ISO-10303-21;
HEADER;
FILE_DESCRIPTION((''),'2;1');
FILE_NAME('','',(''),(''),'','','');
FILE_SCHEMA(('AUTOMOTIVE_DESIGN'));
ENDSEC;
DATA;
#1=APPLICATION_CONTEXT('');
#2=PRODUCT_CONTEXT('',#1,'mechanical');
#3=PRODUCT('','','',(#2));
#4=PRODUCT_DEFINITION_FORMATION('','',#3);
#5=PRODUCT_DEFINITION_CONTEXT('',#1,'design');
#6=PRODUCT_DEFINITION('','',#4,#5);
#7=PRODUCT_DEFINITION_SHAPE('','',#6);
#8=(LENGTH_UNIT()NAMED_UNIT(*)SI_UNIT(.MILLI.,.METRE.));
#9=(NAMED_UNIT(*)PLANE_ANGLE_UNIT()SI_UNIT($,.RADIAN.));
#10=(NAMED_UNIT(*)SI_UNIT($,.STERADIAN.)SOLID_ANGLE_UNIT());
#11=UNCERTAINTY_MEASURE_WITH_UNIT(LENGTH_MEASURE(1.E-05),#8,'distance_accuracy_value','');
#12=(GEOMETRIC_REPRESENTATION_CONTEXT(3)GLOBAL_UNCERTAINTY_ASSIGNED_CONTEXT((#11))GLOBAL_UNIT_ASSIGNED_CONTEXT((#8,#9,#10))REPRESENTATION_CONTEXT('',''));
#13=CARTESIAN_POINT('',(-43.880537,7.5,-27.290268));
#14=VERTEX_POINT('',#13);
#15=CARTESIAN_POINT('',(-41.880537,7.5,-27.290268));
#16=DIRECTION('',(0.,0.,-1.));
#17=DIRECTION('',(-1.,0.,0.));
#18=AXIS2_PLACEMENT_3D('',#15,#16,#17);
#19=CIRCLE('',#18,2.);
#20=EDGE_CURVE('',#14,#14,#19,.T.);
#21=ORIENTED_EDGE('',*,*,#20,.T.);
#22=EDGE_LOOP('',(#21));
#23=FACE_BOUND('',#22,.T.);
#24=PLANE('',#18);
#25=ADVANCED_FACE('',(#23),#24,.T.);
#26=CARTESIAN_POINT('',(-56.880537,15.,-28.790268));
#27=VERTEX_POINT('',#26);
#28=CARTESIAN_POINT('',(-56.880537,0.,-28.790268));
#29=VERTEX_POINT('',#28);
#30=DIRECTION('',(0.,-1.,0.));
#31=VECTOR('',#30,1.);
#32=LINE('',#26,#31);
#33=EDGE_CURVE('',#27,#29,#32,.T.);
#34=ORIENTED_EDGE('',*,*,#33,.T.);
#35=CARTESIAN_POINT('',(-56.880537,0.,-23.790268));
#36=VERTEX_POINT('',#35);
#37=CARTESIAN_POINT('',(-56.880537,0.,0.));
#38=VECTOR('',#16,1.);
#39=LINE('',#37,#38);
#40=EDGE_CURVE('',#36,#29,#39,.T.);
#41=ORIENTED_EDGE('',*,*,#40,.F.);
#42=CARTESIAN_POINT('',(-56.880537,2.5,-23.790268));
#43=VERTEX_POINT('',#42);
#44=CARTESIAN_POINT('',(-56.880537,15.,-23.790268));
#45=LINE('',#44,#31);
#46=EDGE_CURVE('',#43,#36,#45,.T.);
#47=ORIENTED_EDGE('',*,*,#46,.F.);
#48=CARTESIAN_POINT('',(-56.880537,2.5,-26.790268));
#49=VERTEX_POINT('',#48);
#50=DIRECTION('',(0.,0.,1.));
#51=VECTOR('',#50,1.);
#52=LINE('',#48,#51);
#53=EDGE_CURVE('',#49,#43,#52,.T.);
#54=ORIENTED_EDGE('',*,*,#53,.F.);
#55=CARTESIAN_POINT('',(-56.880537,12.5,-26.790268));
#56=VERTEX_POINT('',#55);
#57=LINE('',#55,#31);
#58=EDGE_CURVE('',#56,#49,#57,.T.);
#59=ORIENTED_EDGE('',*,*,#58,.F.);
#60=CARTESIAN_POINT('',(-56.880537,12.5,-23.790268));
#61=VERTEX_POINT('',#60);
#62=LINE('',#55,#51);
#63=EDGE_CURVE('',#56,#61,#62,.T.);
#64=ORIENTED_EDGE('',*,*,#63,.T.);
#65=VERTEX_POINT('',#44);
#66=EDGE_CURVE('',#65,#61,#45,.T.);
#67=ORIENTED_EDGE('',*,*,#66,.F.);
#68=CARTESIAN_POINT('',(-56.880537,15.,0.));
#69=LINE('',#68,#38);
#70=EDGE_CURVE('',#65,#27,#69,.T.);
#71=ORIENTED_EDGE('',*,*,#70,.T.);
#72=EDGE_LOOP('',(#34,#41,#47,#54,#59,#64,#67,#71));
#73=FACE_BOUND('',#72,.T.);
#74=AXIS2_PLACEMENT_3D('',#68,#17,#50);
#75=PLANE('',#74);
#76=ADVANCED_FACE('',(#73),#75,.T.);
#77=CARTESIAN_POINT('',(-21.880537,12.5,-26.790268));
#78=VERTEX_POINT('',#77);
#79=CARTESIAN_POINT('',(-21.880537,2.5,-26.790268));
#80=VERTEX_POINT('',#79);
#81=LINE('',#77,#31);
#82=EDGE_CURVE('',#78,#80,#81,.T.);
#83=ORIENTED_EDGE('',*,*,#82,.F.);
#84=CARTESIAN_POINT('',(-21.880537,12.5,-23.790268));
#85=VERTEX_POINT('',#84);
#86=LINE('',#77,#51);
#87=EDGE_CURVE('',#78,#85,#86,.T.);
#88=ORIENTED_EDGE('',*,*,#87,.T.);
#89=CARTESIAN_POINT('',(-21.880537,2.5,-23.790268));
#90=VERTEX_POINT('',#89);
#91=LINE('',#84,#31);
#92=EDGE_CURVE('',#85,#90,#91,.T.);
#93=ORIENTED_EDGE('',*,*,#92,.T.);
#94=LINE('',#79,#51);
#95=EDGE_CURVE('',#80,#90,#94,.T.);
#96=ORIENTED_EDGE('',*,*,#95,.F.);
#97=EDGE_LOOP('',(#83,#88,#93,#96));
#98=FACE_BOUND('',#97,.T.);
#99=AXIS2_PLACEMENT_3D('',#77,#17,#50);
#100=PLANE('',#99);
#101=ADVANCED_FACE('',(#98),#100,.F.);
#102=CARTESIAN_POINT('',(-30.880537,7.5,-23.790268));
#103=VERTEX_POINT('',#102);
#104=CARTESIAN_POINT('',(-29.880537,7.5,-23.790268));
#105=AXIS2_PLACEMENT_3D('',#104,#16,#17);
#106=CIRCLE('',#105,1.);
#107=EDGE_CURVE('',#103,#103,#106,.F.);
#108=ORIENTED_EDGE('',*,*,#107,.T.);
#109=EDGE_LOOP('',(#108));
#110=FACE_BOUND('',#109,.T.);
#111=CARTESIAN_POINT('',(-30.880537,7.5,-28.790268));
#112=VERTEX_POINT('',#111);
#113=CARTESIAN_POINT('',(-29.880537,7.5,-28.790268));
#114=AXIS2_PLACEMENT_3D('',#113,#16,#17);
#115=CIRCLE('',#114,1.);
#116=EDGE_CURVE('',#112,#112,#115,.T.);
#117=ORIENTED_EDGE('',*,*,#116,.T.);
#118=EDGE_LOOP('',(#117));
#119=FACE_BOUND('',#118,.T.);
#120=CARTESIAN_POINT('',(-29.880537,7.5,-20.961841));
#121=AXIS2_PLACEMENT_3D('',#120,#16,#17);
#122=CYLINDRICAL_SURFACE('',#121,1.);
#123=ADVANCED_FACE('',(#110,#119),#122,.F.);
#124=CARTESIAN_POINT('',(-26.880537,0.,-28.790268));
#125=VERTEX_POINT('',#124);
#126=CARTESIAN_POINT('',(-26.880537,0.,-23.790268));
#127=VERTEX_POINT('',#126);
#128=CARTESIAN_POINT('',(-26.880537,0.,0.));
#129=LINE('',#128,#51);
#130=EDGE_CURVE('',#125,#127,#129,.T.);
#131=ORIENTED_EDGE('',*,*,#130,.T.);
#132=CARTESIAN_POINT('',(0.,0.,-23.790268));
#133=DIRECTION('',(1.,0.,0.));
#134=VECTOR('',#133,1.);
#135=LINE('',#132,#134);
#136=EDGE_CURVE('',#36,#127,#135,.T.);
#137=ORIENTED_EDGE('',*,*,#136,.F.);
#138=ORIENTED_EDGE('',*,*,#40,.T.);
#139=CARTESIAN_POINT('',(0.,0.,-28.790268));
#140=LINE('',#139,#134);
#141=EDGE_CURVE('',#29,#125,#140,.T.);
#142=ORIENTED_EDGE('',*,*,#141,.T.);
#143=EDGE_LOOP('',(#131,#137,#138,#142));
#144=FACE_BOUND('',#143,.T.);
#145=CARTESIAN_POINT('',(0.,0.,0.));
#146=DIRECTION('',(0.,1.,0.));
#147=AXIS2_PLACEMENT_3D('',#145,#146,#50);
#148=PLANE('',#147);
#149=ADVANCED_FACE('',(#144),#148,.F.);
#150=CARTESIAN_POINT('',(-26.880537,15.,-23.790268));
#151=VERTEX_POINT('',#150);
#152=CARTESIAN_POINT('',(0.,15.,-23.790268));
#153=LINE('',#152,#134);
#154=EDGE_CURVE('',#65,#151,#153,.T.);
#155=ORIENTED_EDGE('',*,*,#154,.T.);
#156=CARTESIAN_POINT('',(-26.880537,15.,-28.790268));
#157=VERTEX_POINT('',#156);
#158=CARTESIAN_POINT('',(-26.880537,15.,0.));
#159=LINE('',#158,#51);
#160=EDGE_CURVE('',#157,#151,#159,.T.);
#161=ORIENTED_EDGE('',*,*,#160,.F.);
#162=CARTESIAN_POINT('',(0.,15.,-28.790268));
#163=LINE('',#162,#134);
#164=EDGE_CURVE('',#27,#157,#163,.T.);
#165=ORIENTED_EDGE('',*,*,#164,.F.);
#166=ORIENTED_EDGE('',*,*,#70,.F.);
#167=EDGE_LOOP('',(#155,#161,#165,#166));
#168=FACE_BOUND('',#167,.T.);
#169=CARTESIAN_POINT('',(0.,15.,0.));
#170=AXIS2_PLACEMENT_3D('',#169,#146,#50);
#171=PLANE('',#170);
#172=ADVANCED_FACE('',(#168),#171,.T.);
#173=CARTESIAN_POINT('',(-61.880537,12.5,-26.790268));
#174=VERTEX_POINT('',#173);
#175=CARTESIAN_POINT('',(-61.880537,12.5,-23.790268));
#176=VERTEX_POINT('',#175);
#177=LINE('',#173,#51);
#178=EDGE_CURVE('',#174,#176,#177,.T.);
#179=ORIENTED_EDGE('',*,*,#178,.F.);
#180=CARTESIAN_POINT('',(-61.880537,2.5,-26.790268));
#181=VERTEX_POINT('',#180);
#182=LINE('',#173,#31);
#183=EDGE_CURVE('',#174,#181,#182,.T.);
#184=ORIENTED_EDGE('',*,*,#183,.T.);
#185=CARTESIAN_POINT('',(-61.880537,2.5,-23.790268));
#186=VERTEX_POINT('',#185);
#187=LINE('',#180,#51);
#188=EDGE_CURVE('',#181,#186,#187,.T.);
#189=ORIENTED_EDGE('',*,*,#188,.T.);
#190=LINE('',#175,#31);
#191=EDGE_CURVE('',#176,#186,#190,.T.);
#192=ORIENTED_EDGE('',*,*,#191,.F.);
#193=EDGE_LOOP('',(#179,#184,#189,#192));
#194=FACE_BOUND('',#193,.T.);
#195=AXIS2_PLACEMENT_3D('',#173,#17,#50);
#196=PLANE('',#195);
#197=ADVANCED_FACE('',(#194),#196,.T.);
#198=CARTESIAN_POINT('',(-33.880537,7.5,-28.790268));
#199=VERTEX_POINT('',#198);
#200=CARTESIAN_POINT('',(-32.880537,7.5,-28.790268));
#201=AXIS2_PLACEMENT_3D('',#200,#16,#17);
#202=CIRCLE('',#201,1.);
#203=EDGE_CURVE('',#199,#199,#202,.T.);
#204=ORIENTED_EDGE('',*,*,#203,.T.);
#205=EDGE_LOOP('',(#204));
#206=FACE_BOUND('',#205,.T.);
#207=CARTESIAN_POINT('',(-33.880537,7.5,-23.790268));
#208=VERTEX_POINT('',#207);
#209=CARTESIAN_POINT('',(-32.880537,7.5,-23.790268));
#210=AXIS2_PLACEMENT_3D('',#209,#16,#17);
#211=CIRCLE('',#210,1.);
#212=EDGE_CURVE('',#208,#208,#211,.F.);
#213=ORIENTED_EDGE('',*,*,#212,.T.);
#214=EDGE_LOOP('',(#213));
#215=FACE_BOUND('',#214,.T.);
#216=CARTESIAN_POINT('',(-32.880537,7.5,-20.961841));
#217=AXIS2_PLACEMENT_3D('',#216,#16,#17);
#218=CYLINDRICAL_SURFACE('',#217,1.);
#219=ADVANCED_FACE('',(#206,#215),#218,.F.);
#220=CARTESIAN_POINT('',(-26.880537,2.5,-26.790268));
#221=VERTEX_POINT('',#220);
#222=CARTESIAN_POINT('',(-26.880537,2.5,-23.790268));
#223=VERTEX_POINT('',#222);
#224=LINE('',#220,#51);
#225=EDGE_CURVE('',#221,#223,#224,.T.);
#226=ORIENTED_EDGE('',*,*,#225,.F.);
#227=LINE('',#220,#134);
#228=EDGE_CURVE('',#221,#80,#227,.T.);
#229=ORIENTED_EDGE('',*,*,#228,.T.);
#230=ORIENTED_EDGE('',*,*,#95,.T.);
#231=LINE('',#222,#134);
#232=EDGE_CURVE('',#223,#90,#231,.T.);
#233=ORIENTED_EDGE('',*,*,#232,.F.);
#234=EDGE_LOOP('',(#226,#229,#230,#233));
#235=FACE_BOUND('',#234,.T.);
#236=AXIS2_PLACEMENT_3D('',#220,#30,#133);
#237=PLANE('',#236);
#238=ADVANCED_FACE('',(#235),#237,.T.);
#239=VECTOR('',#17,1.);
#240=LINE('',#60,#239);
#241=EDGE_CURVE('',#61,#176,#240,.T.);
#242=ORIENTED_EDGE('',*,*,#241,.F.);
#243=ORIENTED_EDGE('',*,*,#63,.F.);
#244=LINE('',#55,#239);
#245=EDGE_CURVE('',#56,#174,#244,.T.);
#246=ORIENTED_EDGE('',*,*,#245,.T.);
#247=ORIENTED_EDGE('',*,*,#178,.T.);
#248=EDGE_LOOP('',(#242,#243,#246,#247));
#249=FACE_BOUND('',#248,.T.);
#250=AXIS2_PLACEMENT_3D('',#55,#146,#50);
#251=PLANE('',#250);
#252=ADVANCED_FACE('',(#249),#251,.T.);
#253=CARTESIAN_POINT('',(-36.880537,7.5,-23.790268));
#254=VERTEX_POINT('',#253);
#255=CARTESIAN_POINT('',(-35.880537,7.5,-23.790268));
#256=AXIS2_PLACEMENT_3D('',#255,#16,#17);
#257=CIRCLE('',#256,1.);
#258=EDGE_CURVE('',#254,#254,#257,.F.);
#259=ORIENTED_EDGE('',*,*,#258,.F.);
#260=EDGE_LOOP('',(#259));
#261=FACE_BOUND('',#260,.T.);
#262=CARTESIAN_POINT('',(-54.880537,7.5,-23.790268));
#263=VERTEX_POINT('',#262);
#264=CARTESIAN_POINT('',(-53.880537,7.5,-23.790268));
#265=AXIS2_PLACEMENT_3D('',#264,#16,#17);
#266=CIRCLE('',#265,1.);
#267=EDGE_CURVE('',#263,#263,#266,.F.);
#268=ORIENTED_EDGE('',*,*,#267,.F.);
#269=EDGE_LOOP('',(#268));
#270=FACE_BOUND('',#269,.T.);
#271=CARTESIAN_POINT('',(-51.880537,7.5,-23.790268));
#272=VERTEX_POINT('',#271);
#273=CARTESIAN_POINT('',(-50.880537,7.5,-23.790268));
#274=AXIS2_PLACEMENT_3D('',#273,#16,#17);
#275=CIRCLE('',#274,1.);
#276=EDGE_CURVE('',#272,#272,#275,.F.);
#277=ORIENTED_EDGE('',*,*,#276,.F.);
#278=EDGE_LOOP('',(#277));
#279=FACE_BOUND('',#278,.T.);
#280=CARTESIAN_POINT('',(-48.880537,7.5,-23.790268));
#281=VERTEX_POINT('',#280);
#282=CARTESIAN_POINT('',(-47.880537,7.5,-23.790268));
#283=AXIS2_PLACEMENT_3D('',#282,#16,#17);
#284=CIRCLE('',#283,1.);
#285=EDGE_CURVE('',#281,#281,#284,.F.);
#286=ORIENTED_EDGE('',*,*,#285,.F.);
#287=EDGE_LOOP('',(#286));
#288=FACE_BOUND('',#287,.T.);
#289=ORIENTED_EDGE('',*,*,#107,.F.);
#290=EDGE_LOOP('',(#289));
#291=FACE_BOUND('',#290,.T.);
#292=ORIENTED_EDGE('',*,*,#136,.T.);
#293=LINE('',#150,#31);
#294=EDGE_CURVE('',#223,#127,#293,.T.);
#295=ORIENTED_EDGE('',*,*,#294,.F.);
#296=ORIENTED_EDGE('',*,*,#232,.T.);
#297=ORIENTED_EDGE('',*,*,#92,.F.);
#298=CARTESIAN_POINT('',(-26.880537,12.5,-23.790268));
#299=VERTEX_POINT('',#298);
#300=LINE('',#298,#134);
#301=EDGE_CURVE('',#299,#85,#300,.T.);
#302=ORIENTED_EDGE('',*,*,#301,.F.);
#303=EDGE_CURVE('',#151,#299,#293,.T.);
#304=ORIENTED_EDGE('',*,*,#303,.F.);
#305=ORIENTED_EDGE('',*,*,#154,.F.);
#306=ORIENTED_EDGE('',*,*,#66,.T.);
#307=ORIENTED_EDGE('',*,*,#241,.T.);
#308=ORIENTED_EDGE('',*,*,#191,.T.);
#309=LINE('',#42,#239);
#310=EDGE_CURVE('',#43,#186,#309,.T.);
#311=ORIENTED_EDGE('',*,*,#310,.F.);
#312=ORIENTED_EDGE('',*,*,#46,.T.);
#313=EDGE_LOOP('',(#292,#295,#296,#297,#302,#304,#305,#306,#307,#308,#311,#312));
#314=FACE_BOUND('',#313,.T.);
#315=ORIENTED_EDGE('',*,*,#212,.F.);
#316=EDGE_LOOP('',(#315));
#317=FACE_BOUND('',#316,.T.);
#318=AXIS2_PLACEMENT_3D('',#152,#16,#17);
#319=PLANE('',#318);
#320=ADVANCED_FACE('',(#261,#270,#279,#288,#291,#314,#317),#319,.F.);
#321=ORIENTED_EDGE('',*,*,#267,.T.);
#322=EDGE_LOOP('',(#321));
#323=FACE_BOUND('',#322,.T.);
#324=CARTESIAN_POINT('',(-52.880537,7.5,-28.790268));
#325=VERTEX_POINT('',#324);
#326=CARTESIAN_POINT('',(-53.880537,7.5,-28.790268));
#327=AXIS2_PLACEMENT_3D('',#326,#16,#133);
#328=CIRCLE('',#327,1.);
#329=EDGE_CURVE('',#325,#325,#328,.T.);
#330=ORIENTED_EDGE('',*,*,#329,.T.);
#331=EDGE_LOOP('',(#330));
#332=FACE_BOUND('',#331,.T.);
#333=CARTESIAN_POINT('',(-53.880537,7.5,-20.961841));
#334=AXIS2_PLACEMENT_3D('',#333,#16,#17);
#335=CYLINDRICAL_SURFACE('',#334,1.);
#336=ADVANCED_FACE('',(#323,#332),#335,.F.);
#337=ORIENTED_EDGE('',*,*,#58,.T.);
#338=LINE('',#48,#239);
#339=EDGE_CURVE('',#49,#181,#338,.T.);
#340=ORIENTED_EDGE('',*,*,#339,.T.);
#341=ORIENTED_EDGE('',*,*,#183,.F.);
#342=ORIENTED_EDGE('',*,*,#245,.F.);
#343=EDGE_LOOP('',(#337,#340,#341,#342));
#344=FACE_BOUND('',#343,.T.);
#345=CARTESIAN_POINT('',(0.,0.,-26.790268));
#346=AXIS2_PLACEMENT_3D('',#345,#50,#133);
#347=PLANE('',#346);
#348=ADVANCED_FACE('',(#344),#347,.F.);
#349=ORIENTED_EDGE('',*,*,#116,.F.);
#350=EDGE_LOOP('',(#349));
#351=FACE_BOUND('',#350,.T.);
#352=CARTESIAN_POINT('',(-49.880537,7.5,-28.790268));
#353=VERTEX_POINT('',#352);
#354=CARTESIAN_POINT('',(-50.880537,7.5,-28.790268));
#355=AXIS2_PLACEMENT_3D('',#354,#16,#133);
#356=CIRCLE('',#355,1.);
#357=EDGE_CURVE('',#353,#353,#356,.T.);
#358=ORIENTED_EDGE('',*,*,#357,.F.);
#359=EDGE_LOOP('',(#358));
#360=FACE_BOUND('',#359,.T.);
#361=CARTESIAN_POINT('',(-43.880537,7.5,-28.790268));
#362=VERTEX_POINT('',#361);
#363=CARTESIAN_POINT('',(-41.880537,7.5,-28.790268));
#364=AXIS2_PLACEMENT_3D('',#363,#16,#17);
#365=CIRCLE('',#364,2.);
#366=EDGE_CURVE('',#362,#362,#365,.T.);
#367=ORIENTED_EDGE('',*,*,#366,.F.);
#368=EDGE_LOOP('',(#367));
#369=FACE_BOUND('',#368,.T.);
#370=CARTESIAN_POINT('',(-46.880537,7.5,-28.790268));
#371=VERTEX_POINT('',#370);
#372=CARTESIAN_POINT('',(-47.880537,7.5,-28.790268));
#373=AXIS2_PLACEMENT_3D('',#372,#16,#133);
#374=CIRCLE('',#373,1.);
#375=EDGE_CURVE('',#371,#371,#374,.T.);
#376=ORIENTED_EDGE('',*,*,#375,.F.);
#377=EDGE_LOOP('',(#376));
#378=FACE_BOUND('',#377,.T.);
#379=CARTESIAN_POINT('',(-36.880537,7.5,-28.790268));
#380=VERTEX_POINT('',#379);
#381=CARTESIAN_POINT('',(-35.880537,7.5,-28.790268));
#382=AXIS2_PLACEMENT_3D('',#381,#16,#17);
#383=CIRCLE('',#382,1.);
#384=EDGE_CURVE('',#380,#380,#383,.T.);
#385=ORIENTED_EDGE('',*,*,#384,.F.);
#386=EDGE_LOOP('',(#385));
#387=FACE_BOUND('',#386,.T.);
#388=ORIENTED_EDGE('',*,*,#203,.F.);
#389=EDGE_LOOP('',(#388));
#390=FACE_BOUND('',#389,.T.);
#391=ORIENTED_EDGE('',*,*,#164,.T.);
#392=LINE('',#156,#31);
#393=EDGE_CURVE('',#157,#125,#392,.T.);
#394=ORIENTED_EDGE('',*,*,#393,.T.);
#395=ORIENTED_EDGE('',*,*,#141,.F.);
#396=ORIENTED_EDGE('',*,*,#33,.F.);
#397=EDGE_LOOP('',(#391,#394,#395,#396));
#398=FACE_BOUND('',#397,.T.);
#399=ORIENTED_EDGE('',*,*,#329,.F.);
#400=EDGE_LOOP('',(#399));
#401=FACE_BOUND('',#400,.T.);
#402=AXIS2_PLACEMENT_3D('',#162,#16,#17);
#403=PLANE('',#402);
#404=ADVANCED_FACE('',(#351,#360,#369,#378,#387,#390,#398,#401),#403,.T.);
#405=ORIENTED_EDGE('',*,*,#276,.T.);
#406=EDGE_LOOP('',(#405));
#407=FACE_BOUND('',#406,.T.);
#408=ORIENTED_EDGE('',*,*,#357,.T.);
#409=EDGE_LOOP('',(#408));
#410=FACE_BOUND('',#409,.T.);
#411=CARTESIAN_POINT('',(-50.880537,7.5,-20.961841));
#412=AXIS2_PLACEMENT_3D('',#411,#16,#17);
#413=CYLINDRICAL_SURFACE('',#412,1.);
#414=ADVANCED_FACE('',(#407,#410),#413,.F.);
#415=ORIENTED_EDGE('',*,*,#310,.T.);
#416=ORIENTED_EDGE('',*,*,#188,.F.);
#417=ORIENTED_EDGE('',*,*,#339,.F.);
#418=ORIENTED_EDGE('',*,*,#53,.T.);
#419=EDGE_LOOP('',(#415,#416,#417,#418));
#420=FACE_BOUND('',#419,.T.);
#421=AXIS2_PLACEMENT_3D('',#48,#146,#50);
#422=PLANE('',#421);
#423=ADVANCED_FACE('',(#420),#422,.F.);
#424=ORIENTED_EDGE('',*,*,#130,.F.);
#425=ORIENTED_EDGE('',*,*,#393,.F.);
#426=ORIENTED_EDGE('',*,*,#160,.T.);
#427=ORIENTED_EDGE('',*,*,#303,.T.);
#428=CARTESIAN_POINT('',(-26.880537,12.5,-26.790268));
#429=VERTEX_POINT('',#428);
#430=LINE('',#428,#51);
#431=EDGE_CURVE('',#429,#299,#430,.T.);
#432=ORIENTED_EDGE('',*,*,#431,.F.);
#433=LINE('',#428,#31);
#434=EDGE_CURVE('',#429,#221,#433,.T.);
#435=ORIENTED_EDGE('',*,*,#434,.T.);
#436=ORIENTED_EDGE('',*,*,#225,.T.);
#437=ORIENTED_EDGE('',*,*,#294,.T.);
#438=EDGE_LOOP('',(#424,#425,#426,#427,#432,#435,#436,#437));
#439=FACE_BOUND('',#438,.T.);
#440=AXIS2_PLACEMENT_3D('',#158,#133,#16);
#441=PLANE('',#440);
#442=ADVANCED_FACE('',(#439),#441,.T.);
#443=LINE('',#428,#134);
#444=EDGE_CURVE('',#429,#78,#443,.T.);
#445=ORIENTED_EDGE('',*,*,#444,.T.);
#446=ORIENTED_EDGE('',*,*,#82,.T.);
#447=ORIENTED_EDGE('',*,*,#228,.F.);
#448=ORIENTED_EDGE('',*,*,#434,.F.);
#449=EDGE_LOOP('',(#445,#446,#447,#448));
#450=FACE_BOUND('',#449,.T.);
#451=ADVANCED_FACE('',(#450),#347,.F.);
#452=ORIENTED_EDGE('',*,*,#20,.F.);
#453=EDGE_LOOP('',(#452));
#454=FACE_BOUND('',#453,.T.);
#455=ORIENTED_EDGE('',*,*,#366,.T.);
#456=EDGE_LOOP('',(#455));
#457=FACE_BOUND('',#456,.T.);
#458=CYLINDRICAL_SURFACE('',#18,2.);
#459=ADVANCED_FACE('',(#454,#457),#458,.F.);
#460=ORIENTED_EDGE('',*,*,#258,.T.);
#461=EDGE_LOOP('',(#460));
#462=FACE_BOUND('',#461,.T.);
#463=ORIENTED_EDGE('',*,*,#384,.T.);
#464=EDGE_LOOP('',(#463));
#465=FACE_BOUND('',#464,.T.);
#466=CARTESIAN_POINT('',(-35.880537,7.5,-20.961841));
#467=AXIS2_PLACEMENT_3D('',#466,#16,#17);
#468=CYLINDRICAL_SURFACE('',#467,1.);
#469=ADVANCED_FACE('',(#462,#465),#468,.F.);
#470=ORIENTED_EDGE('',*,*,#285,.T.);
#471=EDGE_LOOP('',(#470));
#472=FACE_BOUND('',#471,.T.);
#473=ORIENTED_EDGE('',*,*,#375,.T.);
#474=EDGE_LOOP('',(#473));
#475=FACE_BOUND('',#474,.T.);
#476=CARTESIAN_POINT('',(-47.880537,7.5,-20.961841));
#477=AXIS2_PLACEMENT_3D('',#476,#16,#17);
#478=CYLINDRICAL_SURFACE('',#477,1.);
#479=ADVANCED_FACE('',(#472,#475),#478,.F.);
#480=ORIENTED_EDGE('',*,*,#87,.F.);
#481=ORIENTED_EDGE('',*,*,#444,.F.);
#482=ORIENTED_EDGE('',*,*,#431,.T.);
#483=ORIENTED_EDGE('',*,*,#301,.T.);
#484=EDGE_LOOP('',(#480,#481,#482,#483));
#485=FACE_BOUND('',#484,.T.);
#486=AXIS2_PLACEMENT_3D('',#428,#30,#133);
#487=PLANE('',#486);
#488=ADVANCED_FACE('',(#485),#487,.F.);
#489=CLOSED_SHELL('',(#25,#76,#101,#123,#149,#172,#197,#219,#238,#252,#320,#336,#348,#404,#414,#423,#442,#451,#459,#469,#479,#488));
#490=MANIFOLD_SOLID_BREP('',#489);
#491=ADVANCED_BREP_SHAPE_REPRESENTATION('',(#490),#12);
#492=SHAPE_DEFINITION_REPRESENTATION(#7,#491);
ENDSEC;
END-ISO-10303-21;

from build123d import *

# Parameters (mm, degrees)
SKETCH1_W           = 30
SKETCH1_H           = 5
BOSS_EXTRUDE1_DEPTH = 15
SKETCH3_R           = 1
CUT_EXTRUDE2_DEPTH  = 5
SKETCH4_R           = 2
CUT_EXTRUDE3_DEPTH  = 1.5
SKETCH5_W           = 5
SKETCH5_H           = 10
BOSS_EXTRUDE2_DEPTH = 3


with BuildPart() as part:
    # Sketch1 → Boss-Extrude1 (new body)
    with BuildSketch(Plane(origin=(0, 0, 0), x_dir=(1, 0, 0), z_dir=(0, 1, 0))):
        with Locations((-41.880536913, 26.290268456)):
            Rectangle(SKETCH1_W, SKETCH1_H)
    extrude(amount=BOSS_EXTRUDE1_DEPTH)

    # Sketch3 → Cut-Extrude2 (cut)
    with BuildSketch(Plane(origin=(0, 0, -28.790268456), x_dir=(-1, 0, 0), z_dir=(0, 0, -1))):
        with Locations((35.880536913, 7.5)):
            Circle(SKETCH3_R)
        with Locations((32.880536913, 7.5)):
            Circle(SKETCH3_R)
        with Locations((29.880536913, 7.5)):
            Circle(SKETCH3_R)
        with Locations((53.880536913, 7.5)):
            Circle(SKETCH3_R)
        with Locations((50.880536913, 7.5)):
            Circle(SKETCH3_R)
        with Locations((47.880536913, 7.5)):
            Circle(SKETCH3_R)
    extrude(amount=-CUT_EXTRUDE2_DEPTH, mode=Mode.SUBTRACT)

    # Sketch4 → Cut-Extrude3 (cut)
    with BuildSketch(Plane(origin=(0, 0, -28.790268456), x_dir=(-1, 0, 0), z_dir=(0, 0, -1))):
        with Locations((41.880536913, 7.5)):
            Circle(SKETCH4_R)
    extrude(amount=-CUT_EXTRUDE3_DEPTH, mode=Mode.SUBTRACT)

    # Sketch5 → Boss-Extrude2 (add)
    with BuildSketch(Plane.XY.offset(-23.790268456)):
        with Locations((-59.380536913, 7.5)):
            Rectangle(SKETCH5_W, SKETCH5_H)
        with Locations((-24.380536913, 7.5)):
            Rectangle(SKETCH5_W, SKETCH5_H)
    extrude(amount=-BOSS_EXTRUDE2_DEPTH)


solid = part.part
